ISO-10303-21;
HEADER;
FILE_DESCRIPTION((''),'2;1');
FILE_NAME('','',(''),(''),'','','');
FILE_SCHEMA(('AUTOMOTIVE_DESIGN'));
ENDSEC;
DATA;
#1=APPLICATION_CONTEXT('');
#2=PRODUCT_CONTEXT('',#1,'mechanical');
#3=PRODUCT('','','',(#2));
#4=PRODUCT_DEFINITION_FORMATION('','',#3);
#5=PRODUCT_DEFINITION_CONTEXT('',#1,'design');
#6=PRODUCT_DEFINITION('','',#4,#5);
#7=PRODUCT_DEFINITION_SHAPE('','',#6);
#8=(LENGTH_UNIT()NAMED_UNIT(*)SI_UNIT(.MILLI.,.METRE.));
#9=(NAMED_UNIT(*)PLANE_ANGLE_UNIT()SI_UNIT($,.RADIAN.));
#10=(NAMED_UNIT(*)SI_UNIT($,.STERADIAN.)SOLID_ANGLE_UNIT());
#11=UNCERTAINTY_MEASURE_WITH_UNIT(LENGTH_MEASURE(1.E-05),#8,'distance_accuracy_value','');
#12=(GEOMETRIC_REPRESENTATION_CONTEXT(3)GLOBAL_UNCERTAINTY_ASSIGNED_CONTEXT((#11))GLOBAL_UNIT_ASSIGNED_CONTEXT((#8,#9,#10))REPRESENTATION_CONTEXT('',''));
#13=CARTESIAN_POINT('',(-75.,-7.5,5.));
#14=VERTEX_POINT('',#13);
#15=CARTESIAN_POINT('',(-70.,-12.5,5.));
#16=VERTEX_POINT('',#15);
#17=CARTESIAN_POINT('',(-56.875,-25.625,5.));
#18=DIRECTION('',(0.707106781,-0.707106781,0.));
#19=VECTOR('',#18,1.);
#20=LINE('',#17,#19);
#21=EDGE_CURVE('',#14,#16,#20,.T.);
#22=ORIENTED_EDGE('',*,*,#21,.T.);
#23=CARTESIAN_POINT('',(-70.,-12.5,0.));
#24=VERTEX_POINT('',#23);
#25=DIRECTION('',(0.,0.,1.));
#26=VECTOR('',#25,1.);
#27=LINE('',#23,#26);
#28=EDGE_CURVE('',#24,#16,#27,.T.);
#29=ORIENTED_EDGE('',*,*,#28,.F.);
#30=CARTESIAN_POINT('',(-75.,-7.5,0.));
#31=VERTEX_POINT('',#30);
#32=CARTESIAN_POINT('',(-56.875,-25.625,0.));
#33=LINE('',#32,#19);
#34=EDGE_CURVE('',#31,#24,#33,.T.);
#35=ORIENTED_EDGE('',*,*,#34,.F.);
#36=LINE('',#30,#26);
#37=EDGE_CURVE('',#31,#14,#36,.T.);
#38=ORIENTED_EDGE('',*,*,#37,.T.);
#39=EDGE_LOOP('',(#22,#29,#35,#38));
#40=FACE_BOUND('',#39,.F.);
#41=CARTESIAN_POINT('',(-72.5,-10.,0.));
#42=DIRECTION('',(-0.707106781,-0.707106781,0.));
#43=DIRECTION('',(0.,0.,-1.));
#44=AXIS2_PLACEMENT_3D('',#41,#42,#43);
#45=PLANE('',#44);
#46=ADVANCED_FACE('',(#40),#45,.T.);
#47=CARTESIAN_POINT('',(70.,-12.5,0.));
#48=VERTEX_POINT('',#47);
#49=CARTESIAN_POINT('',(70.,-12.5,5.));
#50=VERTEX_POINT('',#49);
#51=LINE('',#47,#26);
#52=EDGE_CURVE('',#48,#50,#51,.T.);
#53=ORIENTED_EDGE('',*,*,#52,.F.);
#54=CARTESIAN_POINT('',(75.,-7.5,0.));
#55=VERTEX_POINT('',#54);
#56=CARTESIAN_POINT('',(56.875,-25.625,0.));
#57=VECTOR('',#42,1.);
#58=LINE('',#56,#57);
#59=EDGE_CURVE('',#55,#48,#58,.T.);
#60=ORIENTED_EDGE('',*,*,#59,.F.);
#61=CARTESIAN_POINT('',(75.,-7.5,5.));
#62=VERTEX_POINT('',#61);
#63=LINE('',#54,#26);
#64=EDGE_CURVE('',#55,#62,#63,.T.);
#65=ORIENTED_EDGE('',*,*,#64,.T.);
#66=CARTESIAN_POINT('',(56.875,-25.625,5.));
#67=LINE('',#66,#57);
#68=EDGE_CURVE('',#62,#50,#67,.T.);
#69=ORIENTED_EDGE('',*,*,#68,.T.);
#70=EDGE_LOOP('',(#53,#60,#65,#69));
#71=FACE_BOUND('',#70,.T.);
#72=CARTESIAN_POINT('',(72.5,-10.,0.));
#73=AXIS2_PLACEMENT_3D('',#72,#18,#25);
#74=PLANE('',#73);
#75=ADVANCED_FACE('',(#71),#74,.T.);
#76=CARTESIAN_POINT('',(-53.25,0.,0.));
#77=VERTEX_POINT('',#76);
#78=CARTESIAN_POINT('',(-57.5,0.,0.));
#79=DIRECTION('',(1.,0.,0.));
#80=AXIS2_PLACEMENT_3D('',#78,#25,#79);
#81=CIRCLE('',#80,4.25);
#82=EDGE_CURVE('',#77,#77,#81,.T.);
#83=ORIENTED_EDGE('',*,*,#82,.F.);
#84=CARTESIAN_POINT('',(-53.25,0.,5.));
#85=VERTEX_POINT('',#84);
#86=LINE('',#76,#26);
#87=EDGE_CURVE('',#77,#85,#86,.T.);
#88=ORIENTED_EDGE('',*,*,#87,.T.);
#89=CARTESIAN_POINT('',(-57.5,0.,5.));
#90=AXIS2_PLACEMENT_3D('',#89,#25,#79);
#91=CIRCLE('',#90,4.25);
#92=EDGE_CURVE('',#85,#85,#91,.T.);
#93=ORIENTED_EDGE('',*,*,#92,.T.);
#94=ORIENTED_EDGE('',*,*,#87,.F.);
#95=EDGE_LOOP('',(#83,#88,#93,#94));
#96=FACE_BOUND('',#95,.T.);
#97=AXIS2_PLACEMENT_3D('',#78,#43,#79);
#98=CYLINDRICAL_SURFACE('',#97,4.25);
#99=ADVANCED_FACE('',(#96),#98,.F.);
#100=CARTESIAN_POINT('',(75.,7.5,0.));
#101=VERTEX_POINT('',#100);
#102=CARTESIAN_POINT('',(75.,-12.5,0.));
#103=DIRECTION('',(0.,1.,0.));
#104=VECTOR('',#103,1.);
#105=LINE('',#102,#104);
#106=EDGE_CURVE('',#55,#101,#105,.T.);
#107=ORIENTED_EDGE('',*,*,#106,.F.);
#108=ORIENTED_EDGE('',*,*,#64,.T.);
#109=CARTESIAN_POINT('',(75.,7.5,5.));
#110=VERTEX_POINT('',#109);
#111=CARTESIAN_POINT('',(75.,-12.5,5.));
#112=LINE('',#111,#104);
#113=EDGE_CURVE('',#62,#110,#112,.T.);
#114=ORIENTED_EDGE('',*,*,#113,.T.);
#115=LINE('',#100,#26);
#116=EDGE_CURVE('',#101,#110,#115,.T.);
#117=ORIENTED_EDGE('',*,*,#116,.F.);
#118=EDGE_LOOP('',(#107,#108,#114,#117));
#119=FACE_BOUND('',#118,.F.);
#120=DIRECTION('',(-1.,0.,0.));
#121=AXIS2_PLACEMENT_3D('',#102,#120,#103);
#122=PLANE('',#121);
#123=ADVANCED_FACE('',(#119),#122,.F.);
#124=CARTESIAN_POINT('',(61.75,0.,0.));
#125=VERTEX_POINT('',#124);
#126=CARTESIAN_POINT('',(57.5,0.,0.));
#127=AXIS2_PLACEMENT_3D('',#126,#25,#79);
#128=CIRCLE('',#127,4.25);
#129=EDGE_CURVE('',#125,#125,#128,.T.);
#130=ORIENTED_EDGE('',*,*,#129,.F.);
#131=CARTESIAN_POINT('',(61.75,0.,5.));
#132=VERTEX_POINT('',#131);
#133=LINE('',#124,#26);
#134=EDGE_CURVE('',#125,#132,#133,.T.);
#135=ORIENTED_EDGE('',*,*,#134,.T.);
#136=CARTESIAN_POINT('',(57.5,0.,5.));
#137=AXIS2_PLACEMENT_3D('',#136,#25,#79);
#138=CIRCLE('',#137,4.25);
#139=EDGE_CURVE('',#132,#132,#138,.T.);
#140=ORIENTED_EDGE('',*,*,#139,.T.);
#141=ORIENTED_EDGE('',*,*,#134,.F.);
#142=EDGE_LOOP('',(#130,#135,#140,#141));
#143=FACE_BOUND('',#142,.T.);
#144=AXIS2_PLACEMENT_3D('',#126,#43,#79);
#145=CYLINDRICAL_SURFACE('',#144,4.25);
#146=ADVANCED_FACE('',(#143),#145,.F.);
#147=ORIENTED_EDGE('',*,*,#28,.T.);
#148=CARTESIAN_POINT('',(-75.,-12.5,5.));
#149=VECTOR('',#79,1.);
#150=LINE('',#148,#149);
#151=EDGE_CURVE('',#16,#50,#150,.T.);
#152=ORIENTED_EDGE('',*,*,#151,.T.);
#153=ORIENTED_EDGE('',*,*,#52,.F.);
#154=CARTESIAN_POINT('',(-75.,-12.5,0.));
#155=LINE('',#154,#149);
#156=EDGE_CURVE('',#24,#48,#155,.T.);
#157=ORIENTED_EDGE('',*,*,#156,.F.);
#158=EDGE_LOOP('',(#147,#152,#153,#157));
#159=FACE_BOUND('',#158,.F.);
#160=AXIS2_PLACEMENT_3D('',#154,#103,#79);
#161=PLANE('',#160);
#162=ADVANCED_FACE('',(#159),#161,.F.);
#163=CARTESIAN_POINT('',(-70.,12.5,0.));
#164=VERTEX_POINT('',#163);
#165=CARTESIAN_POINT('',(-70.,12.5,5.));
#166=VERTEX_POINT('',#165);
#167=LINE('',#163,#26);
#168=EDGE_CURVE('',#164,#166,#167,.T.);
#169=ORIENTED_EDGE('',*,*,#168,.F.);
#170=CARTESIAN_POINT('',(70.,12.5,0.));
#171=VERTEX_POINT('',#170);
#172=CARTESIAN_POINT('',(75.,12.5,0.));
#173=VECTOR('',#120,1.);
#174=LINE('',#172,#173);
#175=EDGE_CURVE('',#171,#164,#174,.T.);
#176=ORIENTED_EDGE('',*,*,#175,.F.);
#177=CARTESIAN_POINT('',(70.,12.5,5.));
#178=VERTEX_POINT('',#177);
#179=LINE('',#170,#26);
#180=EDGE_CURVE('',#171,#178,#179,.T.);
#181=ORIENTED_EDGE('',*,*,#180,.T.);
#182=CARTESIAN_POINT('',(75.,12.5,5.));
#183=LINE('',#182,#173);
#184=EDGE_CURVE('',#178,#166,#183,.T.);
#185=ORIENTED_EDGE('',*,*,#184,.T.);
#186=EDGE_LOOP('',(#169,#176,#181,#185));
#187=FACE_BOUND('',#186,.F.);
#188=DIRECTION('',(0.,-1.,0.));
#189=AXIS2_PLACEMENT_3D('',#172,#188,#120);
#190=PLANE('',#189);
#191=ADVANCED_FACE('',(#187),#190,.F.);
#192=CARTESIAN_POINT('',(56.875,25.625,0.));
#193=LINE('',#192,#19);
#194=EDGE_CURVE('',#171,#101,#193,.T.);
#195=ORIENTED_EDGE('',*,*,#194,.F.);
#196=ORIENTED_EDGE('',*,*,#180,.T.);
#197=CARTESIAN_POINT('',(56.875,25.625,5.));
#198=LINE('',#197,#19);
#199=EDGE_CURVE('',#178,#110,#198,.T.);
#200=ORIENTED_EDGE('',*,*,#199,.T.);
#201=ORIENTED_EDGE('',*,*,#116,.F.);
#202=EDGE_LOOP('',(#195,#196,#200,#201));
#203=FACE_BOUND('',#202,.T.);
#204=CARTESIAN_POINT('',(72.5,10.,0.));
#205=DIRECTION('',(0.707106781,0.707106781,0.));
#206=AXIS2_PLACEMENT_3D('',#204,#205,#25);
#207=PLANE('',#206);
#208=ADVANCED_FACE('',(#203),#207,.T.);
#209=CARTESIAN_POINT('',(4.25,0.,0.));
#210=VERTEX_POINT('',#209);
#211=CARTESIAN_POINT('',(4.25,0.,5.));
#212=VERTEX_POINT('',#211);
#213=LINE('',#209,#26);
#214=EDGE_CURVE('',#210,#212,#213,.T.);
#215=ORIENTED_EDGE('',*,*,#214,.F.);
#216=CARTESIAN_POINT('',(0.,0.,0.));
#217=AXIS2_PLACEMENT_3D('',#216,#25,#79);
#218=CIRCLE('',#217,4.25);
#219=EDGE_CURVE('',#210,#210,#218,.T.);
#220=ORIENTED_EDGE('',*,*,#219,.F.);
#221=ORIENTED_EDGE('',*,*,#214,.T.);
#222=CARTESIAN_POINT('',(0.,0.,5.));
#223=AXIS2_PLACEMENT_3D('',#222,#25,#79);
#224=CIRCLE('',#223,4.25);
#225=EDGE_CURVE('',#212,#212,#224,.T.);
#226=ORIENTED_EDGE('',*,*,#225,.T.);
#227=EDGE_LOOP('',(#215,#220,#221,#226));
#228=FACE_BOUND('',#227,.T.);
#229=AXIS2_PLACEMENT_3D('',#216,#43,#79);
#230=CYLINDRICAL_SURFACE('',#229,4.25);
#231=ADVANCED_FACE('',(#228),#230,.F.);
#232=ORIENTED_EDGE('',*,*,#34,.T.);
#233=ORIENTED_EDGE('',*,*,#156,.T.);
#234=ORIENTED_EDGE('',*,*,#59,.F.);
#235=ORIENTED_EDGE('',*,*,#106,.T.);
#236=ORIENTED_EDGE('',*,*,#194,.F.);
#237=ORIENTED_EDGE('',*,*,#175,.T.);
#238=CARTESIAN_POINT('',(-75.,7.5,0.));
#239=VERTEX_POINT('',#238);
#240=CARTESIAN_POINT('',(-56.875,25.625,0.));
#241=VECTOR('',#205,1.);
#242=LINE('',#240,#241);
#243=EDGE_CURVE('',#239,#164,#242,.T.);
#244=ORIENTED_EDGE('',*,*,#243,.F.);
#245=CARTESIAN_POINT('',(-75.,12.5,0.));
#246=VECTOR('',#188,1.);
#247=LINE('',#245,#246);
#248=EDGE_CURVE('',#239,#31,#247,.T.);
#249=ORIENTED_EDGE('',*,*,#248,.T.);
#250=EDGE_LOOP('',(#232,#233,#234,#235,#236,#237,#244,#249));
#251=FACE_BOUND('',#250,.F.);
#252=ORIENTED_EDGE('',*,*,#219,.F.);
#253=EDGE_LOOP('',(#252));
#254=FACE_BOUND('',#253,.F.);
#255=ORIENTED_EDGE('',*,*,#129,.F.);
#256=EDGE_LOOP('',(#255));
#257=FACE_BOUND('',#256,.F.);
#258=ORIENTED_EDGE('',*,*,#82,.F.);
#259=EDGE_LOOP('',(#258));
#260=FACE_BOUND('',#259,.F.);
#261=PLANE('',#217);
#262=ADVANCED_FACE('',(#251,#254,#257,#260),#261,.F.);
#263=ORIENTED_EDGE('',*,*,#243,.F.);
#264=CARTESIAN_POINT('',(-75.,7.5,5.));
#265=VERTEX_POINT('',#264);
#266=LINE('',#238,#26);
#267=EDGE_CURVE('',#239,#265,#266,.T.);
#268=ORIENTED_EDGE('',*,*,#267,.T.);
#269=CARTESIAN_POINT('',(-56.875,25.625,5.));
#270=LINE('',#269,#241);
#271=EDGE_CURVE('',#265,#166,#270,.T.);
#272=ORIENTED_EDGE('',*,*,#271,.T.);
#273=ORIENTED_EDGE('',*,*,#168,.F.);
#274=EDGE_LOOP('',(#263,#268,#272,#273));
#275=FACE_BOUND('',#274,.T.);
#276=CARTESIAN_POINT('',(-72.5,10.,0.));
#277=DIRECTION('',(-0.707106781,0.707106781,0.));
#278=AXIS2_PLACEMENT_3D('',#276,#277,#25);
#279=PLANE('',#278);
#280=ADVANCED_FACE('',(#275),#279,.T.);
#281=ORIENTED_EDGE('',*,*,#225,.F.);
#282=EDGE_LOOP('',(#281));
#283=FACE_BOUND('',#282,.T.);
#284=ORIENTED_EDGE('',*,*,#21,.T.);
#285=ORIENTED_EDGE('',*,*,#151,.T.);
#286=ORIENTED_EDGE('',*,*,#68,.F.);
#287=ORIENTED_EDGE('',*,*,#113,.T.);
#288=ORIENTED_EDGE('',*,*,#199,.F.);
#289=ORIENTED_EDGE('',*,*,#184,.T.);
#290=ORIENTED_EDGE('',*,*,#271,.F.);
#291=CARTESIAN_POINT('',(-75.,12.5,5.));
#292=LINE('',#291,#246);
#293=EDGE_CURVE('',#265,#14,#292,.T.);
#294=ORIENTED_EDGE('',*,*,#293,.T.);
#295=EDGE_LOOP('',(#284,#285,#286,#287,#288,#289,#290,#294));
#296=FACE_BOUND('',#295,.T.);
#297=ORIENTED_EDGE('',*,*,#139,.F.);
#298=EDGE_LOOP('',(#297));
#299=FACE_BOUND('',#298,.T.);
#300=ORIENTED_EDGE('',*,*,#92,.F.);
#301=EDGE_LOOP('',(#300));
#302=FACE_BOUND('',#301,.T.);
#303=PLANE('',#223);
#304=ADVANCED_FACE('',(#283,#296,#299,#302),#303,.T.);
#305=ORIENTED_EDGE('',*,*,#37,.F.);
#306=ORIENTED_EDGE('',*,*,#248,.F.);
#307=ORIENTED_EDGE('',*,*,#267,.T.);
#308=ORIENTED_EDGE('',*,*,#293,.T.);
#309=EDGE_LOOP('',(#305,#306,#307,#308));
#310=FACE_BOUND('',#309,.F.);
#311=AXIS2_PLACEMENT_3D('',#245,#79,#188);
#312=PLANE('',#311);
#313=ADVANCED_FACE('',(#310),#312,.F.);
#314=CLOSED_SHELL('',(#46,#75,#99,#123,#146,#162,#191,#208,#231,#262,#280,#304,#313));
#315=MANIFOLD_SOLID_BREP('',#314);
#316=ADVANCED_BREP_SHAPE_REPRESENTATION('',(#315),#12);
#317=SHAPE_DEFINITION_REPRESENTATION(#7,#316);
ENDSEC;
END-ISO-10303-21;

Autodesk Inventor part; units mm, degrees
ref_plane "YZ Plane" through (0, 0, 0) normal (1, 0, 0) x (0, 1, 0)
ref_plane "XZ Plane" through (0, 0, 0) normal (0, 1, 0) x (-1, 0, 0)
ref_plane "XY Plane" through (0, 0, 0) normal (0, 0, 1) x (1, 0, 0)
sketch "Sketch1" plane through (0, 0, 0) normal (0, 0, 1) x (1, 0, 0)
  line L0 (-75, -12.5) -> (75, -12.5)
  line L1 (75, -12.5) -> (75, 12.5)
  line L2 (75, 12.5) -> (-75, 12.5)
  line L3 (-75, 12.5) -> (-75, -12.5)
  line L4 (-75, -12.5) -> (75, 12.5) construction
  line L5 (75, -12.5) -> (-75, 12.5) construction
  circle A0 centre (-57.5, 0) radius 4.25
  circle A1 centre (0, 0) radius 4.25
  circle A2 centre (57.5, 0) radius 4.25
  line L6 (-57.5, 0) -> (57.5, 0) construction
  dimension "d0" = 150
  dimension "d1" = 25
  dimension "d3" = 115
  dimension "d4" = 8.5
extrude "Extrusion1" add sketch "Sketch1" along normal blind 5
chamfer "Chamfer1" distance 5 angle 45 4 edges at (-75, 12.5, 2.5) (-75, -12.5, 2.5) (75, -12.5, 2.5) (75, 12.5, 2.5)
properties part number "GUIA_DE_AYUDA" material "Steel, Mild, Welded"
